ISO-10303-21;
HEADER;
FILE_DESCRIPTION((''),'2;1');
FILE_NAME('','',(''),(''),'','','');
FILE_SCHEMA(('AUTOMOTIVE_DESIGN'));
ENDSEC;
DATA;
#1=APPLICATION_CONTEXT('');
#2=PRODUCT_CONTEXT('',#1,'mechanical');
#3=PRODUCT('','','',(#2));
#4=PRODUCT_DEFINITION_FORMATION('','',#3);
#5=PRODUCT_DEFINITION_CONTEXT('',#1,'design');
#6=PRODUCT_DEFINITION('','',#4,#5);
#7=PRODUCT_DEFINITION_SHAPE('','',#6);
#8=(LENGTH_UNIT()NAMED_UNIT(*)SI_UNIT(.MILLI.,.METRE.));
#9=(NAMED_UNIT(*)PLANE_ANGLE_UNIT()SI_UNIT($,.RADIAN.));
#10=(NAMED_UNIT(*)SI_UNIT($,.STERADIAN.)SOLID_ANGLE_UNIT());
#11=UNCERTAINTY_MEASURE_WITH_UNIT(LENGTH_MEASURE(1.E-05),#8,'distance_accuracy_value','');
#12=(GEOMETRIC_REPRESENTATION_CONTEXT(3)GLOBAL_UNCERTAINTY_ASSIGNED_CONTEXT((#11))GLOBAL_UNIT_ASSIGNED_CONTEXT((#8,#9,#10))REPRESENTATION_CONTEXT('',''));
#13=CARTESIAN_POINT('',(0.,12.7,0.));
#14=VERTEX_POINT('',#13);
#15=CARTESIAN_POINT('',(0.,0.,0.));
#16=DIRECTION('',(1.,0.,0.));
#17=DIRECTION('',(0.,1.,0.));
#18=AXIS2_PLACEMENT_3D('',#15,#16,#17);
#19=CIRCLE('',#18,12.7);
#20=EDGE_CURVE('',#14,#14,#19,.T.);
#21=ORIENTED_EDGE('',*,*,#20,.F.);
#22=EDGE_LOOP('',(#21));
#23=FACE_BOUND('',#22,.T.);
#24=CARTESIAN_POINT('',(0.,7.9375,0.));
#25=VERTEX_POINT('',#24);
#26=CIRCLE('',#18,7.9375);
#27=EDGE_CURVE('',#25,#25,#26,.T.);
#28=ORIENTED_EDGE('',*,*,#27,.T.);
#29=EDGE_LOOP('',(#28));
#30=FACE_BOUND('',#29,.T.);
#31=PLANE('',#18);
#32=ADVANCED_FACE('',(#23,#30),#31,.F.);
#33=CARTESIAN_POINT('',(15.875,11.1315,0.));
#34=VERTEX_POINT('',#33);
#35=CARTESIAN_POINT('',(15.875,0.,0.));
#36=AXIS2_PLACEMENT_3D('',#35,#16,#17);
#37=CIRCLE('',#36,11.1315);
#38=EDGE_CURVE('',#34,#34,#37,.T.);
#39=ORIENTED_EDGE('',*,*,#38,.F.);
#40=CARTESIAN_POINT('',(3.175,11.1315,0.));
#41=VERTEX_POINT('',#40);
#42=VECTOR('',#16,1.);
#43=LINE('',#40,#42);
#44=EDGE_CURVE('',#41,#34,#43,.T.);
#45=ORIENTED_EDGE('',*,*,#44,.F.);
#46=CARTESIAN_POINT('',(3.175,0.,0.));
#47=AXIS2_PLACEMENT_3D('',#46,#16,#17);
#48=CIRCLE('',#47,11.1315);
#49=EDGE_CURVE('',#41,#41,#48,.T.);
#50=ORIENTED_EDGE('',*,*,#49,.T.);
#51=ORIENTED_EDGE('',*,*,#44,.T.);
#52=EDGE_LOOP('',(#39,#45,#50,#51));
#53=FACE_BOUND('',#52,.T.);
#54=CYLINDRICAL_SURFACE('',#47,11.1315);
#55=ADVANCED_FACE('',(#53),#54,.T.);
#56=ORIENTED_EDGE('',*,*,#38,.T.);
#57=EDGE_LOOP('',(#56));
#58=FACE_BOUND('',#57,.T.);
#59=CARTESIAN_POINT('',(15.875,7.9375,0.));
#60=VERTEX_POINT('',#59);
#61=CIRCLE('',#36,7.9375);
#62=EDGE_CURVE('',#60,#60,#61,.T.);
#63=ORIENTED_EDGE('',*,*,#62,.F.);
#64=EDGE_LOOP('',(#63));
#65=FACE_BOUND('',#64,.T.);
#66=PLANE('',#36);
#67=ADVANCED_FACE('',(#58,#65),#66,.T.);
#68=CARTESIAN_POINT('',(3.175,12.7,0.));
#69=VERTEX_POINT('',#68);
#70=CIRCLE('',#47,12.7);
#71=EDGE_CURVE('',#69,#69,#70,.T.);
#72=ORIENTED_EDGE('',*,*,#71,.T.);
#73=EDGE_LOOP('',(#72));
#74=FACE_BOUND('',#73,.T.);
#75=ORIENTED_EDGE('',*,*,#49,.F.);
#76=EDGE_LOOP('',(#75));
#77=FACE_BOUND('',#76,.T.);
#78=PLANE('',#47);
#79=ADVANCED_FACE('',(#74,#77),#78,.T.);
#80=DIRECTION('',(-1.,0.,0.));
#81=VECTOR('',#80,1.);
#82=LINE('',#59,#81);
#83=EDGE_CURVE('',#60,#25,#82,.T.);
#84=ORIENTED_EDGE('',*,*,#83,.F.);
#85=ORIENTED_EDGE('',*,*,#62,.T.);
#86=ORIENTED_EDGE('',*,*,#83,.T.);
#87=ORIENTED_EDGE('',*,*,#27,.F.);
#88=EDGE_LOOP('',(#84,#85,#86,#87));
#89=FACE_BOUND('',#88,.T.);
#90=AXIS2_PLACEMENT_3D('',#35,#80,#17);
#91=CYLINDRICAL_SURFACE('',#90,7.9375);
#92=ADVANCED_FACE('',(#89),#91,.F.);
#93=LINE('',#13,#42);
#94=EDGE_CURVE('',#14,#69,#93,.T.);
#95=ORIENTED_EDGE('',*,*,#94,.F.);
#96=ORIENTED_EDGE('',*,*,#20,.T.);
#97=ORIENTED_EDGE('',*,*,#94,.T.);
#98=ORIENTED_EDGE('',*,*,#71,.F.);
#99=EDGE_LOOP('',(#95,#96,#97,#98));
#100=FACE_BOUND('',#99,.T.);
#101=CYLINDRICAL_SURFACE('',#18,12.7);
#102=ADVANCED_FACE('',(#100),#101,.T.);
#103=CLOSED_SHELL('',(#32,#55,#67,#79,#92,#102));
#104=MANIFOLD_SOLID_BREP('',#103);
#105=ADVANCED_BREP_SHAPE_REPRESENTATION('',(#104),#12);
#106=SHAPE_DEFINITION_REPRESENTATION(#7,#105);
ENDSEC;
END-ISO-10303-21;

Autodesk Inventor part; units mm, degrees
ref_plane "YZ Plane" through (0, 0, 0) normal (1, 0, 0) x (0, 1, 0)
ref_plane "XZ Plane" through (0, 0, 0) normal (0, 1, 0) x (-1, 0, 0)
ref_plane "XY Plane" through (0, 0, 0) normal (0, 0, 1) x (1, 0, 0)
sketch "Sketch1" plane through (0, 0, 0) normal (0, 0, 1) x (1, 0, 0)
  line L0 (0, 12.7) -> (3.175, 12.7)
  line L1 (3.175, 12.7) -> (3.175, 11.1315)
  line L2 (3.175, 11.1315) -> (15.875, 11.1315)
  line L3 (15.875, 11.1315) -> (15.875, 7.9375)
  line L4 (15.875, 7.9375) -> (0, 7.9375)
  line L5 (0, 7.9375) -> (0, 12.7)
  line L6 (-3.175, 0) -> (19.05, 0) projected
  point P0 (0, 0)
  dimension "d1" = 15.875
  dimension "d2" = 22.2631
  dimension "d3" = 25.4
  dimension "d7" = 15.875
  dimension "d10" = 3.175
revolve "Revolution1" add sketch "Sketch1" angle 360 about axis through (-10, 0, 0) along (1, 0, 0)
properties part number "Buje de la Flecha" material "Bronze, Cast"
